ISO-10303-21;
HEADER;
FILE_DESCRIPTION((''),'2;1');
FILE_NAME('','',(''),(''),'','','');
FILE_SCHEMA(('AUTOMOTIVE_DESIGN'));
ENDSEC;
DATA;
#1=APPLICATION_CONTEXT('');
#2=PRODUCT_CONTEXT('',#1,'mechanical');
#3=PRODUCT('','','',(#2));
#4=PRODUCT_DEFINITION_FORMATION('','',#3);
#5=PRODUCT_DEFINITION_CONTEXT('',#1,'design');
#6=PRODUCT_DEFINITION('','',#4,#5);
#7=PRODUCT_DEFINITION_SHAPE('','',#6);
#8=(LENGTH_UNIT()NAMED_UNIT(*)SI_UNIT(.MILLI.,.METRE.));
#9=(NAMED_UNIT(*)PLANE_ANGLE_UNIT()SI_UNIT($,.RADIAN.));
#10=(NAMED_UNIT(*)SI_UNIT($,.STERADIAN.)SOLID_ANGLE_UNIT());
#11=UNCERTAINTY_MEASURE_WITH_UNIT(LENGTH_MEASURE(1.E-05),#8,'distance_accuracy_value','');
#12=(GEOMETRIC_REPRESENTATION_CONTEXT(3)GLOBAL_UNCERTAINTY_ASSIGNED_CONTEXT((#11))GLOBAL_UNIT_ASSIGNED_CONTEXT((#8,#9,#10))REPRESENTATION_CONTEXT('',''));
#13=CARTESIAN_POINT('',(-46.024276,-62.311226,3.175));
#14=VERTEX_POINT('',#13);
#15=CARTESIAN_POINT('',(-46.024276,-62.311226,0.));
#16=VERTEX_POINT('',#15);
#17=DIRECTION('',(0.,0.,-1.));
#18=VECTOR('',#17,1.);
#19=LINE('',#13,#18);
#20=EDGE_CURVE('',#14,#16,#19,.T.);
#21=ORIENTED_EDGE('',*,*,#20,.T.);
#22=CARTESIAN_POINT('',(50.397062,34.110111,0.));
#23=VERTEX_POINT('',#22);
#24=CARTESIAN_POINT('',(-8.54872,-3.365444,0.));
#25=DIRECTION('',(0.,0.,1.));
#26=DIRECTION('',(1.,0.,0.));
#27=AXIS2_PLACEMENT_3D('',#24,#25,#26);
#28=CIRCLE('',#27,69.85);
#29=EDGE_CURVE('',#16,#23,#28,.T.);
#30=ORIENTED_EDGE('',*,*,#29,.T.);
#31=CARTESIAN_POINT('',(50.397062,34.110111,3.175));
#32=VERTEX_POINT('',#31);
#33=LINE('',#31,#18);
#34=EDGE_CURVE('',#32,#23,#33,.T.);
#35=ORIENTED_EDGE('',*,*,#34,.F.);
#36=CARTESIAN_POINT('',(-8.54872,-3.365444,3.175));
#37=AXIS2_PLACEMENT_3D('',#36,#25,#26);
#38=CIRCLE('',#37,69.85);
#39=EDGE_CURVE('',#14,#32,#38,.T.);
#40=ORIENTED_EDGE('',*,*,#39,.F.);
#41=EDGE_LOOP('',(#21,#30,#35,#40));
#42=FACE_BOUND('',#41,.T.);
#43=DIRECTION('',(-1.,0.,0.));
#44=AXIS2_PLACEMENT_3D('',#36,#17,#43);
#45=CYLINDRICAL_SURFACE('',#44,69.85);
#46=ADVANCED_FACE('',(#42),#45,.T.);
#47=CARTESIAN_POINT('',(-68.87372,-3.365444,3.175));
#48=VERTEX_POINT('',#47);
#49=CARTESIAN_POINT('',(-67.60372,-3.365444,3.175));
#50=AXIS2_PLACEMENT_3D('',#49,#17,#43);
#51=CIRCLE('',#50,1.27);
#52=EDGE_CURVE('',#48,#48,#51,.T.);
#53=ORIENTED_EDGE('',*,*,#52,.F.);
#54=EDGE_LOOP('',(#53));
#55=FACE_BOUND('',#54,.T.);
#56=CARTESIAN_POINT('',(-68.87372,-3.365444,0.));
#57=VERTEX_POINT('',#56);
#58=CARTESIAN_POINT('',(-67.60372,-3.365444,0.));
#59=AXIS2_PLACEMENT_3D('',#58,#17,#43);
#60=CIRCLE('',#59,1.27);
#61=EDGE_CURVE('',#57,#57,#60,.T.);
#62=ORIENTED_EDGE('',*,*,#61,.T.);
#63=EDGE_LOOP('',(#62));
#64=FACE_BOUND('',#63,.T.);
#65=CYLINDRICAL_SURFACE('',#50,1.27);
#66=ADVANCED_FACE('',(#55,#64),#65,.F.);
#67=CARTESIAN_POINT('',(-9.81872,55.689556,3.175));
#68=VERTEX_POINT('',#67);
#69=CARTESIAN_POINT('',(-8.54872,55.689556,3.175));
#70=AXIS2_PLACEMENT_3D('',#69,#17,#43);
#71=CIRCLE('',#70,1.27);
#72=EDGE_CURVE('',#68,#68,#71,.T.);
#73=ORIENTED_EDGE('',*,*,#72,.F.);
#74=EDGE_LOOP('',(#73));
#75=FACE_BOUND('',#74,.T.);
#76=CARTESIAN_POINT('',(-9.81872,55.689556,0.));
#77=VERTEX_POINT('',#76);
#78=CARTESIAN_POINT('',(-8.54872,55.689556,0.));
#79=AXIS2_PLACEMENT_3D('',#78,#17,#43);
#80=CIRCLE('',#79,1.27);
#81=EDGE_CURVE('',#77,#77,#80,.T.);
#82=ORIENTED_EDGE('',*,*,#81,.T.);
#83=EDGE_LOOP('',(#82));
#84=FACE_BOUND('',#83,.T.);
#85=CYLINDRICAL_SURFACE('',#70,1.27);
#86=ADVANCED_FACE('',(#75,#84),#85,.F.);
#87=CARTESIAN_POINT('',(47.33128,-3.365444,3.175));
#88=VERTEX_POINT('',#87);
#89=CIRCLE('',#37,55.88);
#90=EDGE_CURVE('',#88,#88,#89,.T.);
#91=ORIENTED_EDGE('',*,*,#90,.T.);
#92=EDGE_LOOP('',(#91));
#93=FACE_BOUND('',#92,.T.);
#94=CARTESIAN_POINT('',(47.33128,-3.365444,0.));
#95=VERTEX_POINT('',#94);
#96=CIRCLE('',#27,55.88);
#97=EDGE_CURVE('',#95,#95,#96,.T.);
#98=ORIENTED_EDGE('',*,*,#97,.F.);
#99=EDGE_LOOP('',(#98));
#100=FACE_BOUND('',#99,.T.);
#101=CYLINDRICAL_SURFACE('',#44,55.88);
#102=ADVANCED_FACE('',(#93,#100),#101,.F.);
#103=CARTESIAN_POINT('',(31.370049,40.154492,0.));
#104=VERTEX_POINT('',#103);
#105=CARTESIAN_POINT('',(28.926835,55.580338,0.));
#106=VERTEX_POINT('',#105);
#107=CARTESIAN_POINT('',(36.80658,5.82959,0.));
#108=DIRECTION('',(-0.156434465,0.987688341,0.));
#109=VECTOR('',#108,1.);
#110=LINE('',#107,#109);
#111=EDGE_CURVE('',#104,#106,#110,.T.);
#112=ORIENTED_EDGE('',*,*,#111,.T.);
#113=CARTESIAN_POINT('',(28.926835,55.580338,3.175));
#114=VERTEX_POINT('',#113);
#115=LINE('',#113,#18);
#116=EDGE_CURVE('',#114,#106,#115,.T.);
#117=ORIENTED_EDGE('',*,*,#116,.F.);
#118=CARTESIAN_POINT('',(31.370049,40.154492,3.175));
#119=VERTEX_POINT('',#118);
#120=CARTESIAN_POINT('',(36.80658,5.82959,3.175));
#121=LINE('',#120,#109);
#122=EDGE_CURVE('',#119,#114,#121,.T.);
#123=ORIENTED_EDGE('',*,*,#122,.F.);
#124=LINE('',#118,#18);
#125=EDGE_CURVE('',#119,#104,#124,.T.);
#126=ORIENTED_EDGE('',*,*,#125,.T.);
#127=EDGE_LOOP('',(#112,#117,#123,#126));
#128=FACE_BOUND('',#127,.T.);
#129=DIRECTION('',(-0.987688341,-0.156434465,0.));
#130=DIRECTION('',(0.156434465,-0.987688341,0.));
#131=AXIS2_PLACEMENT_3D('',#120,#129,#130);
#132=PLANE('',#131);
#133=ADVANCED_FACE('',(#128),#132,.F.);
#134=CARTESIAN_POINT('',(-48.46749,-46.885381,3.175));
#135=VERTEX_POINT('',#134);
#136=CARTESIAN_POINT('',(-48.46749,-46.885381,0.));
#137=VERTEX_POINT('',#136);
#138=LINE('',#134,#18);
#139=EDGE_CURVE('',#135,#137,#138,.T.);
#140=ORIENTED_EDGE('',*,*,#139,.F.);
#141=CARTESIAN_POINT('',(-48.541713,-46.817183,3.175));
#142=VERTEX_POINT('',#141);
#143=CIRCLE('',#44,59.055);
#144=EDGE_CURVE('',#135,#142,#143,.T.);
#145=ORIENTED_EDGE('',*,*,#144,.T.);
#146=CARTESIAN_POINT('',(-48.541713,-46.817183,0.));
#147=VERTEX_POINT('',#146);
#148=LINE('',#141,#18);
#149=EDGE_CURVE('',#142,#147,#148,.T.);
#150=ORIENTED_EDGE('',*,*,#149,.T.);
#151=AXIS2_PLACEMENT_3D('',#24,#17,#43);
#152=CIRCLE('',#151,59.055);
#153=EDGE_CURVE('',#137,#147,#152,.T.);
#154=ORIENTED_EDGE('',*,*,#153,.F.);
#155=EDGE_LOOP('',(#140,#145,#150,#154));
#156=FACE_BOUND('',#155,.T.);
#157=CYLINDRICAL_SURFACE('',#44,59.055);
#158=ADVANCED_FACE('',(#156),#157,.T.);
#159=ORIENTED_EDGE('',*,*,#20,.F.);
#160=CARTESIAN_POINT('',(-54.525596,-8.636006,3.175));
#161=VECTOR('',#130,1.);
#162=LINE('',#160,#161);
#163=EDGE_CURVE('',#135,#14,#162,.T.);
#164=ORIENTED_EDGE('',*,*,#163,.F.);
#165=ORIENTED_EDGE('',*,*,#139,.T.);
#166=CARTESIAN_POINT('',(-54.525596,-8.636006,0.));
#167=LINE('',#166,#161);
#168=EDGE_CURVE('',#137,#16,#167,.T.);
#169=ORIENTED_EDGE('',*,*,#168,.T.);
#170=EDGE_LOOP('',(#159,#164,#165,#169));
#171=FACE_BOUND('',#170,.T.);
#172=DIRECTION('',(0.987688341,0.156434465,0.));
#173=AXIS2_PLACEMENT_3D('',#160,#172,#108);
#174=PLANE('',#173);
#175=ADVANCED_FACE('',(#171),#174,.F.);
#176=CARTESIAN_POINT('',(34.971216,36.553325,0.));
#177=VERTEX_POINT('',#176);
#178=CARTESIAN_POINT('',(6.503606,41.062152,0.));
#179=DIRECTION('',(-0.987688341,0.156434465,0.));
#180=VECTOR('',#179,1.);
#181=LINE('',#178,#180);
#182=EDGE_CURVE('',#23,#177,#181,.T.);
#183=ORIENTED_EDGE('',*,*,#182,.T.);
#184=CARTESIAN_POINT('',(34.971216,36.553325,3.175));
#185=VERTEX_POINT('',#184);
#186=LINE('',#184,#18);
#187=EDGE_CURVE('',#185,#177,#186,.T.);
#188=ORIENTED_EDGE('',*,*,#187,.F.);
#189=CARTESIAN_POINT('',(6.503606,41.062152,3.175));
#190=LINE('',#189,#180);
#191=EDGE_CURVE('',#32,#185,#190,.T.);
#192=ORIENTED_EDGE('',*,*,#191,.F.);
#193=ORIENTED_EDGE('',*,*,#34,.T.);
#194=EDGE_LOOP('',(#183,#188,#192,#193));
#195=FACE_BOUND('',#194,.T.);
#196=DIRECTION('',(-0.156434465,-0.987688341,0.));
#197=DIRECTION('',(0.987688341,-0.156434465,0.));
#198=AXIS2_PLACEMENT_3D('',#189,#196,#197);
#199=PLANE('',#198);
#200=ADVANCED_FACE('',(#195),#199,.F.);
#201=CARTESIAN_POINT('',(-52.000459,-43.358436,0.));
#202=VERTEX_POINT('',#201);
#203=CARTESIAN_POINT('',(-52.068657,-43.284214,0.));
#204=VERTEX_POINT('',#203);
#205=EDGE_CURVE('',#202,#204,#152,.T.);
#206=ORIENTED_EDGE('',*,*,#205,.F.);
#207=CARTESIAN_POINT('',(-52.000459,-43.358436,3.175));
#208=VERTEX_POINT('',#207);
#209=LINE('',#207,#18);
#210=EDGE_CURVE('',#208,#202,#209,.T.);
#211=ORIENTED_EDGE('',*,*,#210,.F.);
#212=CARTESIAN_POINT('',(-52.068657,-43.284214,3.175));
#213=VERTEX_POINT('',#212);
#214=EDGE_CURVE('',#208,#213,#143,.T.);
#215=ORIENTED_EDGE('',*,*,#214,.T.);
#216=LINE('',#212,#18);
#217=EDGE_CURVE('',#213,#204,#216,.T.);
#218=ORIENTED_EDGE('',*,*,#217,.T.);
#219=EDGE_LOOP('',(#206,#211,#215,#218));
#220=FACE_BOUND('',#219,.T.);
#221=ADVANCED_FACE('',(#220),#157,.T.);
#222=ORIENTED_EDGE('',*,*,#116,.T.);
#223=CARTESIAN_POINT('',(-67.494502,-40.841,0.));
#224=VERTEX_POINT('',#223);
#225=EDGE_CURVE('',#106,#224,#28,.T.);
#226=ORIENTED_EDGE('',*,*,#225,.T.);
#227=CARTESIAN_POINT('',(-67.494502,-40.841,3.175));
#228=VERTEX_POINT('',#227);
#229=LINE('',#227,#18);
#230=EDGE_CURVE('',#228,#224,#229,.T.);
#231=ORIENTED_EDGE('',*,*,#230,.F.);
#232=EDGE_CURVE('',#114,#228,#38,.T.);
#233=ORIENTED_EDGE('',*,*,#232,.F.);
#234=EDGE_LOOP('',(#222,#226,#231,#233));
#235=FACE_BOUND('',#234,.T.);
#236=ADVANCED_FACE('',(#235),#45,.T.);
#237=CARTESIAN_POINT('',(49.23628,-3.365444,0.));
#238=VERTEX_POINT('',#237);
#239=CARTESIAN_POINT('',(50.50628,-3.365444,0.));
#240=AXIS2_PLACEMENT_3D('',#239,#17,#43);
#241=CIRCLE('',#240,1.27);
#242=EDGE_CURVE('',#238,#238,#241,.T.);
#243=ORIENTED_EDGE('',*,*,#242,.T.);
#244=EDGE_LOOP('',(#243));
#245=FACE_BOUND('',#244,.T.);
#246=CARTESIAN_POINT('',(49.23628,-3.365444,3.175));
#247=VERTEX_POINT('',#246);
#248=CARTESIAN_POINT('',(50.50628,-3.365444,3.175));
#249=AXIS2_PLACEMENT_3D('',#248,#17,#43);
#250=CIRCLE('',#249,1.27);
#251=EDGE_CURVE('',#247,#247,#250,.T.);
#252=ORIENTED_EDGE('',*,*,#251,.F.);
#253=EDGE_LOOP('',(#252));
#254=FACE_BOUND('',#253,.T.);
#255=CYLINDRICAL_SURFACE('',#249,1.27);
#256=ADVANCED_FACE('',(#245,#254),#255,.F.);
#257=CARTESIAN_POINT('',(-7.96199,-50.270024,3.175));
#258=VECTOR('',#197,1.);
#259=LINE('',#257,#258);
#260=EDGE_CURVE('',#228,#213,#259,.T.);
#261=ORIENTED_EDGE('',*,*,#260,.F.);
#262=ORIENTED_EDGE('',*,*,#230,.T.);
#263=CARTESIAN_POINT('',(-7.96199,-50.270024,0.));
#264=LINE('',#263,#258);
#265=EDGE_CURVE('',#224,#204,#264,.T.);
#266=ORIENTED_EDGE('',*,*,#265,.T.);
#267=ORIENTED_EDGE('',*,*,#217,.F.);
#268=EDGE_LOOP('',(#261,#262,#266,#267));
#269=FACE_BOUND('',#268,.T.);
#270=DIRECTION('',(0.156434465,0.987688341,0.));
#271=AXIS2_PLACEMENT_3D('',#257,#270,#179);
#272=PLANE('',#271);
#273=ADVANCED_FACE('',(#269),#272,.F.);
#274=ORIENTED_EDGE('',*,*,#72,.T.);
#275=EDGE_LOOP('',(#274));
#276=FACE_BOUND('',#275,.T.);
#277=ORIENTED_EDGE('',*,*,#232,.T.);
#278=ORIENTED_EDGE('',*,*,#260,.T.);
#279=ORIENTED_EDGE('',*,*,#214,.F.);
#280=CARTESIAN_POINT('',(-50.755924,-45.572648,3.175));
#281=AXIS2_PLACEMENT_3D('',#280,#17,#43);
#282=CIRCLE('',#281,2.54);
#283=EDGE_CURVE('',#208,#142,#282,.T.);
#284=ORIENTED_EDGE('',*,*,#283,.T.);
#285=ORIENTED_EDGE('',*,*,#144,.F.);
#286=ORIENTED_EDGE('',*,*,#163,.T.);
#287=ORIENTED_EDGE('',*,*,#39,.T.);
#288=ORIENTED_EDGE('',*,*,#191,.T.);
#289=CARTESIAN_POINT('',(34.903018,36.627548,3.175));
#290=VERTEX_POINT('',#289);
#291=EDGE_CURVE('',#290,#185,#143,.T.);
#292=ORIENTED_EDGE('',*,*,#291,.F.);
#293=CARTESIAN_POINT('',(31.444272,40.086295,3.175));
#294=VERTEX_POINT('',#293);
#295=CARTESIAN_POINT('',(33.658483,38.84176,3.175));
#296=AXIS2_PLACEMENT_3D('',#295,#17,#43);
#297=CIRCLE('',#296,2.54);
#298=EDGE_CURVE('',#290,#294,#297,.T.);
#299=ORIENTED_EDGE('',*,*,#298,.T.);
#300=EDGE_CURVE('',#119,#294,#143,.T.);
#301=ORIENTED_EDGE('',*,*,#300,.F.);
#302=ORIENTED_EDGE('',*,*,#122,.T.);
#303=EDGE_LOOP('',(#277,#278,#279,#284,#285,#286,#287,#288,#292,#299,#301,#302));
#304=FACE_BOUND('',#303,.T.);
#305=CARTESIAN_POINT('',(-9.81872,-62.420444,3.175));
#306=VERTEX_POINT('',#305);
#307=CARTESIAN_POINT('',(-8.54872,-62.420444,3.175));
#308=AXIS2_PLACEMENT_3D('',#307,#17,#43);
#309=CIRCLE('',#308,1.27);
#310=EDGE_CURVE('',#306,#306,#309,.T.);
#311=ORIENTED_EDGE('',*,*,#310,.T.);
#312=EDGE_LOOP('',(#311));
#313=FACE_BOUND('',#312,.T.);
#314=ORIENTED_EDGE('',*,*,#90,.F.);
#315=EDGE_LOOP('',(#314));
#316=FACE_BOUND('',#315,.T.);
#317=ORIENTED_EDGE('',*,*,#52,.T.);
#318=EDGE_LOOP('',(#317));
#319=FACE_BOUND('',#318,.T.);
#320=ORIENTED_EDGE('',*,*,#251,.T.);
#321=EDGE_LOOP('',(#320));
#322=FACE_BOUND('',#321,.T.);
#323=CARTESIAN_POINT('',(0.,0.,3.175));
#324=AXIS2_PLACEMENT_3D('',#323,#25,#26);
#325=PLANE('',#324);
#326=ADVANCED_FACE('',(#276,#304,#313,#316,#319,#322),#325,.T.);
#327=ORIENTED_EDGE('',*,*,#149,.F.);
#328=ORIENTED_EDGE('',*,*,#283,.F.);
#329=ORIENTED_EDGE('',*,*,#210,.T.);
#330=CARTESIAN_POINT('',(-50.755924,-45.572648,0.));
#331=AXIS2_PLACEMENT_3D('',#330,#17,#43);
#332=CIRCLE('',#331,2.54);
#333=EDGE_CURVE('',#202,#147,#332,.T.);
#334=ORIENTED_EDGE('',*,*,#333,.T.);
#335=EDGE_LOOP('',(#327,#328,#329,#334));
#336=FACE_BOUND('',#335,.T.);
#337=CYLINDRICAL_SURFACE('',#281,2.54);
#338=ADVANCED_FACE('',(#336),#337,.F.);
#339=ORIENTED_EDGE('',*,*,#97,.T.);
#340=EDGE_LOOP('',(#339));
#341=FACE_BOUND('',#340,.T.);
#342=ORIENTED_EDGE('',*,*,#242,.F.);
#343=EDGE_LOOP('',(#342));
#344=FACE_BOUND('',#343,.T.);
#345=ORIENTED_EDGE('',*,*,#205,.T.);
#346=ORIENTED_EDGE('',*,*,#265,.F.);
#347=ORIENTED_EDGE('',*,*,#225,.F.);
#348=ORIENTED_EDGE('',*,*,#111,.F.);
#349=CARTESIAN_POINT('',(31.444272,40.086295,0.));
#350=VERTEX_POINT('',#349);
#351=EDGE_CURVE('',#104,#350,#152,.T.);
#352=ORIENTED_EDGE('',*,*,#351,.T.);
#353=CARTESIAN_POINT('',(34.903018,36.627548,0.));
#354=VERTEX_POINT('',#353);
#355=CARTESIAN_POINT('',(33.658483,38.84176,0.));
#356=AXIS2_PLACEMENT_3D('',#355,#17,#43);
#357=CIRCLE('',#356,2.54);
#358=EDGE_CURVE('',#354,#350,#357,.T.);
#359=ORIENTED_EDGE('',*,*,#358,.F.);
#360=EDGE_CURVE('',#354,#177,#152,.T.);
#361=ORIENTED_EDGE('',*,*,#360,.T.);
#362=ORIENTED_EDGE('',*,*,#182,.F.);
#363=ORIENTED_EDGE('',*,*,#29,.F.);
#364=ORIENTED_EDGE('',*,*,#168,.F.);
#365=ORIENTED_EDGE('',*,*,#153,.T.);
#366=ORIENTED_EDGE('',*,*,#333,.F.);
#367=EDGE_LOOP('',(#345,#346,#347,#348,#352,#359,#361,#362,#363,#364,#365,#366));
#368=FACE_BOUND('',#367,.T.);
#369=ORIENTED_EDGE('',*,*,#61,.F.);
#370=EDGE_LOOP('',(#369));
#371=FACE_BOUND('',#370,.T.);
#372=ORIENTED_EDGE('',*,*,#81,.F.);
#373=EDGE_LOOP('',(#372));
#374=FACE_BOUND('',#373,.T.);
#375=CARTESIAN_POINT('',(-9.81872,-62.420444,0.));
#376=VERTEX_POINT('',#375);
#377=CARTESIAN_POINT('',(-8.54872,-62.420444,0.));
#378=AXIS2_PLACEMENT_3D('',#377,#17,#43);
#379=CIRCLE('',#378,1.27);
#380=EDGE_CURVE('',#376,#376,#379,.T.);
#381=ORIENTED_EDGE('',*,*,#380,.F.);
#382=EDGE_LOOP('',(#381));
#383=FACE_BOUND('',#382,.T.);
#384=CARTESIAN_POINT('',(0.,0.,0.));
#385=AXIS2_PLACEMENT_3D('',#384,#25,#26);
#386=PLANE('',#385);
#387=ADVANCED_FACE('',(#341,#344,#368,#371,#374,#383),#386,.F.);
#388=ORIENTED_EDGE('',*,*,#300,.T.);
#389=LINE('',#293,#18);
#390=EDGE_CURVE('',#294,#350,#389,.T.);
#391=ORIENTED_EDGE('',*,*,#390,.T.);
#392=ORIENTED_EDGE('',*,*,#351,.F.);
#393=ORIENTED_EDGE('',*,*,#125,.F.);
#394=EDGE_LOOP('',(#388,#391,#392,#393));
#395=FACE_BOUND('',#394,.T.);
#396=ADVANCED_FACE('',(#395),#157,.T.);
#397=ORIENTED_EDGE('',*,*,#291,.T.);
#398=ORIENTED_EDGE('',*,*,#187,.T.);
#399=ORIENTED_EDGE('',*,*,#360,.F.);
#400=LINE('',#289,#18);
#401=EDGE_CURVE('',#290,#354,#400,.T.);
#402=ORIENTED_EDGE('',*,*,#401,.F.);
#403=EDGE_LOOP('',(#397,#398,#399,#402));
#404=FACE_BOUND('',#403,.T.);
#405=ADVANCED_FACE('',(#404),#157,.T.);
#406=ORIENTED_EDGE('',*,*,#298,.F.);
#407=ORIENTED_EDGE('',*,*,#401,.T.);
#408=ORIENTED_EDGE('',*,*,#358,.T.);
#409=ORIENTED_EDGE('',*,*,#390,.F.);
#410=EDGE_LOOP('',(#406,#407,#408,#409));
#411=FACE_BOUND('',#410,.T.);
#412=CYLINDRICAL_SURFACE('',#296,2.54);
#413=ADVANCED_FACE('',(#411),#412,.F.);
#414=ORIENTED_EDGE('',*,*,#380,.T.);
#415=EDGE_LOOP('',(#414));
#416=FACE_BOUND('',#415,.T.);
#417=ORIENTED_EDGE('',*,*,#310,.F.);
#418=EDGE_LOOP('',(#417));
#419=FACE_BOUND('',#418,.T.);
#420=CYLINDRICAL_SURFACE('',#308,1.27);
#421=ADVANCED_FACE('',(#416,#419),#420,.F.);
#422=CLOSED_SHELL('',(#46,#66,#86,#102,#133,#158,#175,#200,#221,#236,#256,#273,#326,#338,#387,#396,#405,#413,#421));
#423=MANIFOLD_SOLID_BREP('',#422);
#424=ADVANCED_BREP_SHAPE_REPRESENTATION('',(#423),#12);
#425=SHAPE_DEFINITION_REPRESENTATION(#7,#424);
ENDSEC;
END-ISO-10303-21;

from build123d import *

# Parameters (mm, degrees)
SKETCH1_R           = 69.85
SKETCH1_R_2         = 55.88
BOSS_EXTRUDE1_DEPTH = 3.175
SKETCH4_R           = 1.27
CUT_EXTRUDE2_DEPTH  = 108.317012813


with BuildPart() as part:
    # Sketch1 → Boss-Extrude1 (new body)
    with BuildSketch(Plane.XY):
        with Locations((-8.548720341, -3.365444156)):
            Circle(SKETCH1_R)
        with Locations((-8.548720341, -3.365444156)):
            Circle(SKETCH1_R_2, mode=Mode.SUBTRACT)
    extrude(amount=BOSS_EXTRUDE1_DEPTH)

    # Sketch4 → Cut-Extrude2 (cut, through all)
    with BuildSketch(Plane(origin=(0, 0, 0), x_dir=(-1, 0, 0), z_dir=(0, 0, -1))):
        with BuildLine():
            ThreePointArc((-28.926835269, 55.58033798), (-40.842688325, 46.02596451), (-50.397061795, 34.110111454))
            Line((-50.397061795, 34.110111454), (-34.971216033, 36.553325402))
            ThreePointArc((-34.971216033, 36.553325402), (-34.937133041, 36.590451286), (-34.903018379, 36.62754807))
            ThreePointArc((-34.903018379, 36.62754807), (-31.862432204, 37.045708389), (-31.444271885, 40.086294564))
            ThreePointArc((-31.444271885, 40.086294564), (-31.407175101, 40.120409226), (-31.370049217, 40.154492217))
            Line((-31.370049217, 40.154492217), (-28.926835269, 55.58033798))
        make_face()
        with BuildLine():
            ThreePointArc((46.024275952, -62.311226293), (57.940129007, -52.756852822), (67.494502478, -40.840999767))
            Line((67.494502478, -40.840999767), (52.068656715, -43.284213714))
            ThreePointArc((52.068656715, -43.284213714), (52.034573724, -43.321339599), (52.000459061, -43.358436383))
            ThreePointArc((52.000459061, -43.358436383), (48.959872886, -43.776596701), (48.541712568, -46.817182876))
            ThreePointArc((48.541712568, -46.817182876), (48.504615784, -46.851297539), (48.467489899, -46.88538053))
            Line((48.467489899, -46.88538053), (46.024275952, -62.311226293))
        make_face()
        with Locations((-50.506279659, -3.365444156)):
            Circle(SKETCH4_R)
        with Locations((8.548720341, -62.420444156)):
            Circle(SKETCH4_R)
        with Locations((8.548720341, 55.689555844)):
            Circle(SKETCH4_R)
        with Locations((67.603720341, -3.365444156)):
            Circle(SKETCH4_R)
    extrude(amount=-CUT_EXTRUDE2_DEPTH, mode=Mode.SUBTRACT)


solid = part.part
